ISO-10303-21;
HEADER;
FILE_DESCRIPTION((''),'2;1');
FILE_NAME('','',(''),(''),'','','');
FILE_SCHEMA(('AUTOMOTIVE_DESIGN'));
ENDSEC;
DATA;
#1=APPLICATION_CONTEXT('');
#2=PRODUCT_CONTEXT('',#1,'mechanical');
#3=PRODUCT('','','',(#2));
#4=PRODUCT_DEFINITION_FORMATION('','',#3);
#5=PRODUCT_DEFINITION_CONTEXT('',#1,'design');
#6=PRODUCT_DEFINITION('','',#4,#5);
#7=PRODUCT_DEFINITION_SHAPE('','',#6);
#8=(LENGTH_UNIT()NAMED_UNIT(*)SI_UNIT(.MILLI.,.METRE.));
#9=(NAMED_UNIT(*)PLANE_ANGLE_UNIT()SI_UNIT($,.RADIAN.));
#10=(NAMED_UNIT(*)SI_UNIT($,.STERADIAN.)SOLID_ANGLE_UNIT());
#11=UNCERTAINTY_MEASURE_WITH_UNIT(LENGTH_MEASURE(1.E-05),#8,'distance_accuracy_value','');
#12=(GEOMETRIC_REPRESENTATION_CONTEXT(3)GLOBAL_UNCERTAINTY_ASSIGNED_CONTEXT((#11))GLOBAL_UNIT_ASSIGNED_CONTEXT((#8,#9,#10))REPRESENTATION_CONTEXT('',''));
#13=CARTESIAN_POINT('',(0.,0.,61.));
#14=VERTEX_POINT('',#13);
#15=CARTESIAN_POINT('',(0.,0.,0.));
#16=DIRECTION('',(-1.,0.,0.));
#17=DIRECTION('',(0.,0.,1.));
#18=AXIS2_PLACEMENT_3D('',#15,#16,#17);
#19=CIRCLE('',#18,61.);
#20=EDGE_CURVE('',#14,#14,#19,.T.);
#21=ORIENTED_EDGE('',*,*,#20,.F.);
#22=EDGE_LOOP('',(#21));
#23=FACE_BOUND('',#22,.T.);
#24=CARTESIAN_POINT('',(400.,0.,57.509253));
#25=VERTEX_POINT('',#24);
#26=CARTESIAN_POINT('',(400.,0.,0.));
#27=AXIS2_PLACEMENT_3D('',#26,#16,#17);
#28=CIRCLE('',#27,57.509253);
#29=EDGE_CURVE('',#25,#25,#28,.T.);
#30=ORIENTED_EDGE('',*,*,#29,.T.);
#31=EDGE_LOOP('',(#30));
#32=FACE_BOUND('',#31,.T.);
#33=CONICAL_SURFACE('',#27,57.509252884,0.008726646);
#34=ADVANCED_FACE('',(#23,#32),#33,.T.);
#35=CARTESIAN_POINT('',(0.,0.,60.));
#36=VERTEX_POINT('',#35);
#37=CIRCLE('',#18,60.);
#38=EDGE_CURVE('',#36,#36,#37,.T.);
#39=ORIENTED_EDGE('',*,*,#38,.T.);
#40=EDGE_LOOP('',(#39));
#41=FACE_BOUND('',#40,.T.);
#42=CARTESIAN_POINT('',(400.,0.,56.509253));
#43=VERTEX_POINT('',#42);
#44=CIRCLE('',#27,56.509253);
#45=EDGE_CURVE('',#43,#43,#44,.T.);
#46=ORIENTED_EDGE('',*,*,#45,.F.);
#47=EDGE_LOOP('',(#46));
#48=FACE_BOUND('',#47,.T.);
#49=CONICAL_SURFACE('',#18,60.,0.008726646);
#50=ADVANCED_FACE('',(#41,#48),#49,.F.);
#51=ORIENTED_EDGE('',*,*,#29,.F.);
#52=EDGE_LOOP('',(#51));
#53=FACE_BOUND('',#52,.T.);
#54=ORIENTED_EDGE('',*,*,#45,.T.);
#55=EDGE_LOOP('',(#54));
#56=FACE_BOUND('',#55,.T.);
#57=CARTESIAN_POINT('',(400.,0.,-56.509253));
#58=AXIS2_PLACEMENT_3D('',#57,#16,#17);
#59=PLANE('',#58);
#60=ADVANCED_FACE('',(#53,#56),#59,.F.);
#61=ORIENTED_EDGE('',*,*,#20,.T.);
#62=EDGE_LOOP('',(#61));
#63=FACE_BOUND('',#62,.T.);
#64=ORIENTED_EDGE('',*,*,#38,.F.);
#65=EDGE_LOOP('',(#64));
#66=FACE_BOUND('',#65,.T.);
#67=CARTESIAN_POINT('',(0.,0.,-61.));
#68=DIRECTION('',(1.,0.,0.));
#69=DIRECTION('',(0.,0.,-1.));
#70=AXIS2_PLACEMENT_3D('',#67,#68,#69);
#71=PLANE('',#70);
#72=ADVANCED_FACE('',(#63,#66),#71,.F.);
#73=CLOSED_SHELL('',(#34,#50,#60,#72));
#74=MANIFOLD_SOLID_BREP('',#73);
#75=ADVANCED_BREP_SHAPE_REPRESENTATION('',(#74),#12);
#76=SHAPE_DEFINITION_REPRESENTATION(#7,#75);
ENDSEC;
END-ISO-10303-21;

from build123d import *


with BuildPart() as part:
    # Skizze1 → Rotation1 (revolve)
    with BuildSketch(Plane(origin=(0, 0, 0), x_dir=(1, 0, 0), z_dir=(0, 1, 0)), mode=Mode.PRIVATE) as rotation1_sk:
        Polygon((0, 60), (400, 56.509252884), (400, 57.509252884), (0, 61), align=None)
    revolve(rotation1_sk.sketch.rotate(Axis((0, 0, 0), (1, 0, 0)), 180), axis=Axis((0, 0, 0), (1, 0, 0)))


solid = part.part
